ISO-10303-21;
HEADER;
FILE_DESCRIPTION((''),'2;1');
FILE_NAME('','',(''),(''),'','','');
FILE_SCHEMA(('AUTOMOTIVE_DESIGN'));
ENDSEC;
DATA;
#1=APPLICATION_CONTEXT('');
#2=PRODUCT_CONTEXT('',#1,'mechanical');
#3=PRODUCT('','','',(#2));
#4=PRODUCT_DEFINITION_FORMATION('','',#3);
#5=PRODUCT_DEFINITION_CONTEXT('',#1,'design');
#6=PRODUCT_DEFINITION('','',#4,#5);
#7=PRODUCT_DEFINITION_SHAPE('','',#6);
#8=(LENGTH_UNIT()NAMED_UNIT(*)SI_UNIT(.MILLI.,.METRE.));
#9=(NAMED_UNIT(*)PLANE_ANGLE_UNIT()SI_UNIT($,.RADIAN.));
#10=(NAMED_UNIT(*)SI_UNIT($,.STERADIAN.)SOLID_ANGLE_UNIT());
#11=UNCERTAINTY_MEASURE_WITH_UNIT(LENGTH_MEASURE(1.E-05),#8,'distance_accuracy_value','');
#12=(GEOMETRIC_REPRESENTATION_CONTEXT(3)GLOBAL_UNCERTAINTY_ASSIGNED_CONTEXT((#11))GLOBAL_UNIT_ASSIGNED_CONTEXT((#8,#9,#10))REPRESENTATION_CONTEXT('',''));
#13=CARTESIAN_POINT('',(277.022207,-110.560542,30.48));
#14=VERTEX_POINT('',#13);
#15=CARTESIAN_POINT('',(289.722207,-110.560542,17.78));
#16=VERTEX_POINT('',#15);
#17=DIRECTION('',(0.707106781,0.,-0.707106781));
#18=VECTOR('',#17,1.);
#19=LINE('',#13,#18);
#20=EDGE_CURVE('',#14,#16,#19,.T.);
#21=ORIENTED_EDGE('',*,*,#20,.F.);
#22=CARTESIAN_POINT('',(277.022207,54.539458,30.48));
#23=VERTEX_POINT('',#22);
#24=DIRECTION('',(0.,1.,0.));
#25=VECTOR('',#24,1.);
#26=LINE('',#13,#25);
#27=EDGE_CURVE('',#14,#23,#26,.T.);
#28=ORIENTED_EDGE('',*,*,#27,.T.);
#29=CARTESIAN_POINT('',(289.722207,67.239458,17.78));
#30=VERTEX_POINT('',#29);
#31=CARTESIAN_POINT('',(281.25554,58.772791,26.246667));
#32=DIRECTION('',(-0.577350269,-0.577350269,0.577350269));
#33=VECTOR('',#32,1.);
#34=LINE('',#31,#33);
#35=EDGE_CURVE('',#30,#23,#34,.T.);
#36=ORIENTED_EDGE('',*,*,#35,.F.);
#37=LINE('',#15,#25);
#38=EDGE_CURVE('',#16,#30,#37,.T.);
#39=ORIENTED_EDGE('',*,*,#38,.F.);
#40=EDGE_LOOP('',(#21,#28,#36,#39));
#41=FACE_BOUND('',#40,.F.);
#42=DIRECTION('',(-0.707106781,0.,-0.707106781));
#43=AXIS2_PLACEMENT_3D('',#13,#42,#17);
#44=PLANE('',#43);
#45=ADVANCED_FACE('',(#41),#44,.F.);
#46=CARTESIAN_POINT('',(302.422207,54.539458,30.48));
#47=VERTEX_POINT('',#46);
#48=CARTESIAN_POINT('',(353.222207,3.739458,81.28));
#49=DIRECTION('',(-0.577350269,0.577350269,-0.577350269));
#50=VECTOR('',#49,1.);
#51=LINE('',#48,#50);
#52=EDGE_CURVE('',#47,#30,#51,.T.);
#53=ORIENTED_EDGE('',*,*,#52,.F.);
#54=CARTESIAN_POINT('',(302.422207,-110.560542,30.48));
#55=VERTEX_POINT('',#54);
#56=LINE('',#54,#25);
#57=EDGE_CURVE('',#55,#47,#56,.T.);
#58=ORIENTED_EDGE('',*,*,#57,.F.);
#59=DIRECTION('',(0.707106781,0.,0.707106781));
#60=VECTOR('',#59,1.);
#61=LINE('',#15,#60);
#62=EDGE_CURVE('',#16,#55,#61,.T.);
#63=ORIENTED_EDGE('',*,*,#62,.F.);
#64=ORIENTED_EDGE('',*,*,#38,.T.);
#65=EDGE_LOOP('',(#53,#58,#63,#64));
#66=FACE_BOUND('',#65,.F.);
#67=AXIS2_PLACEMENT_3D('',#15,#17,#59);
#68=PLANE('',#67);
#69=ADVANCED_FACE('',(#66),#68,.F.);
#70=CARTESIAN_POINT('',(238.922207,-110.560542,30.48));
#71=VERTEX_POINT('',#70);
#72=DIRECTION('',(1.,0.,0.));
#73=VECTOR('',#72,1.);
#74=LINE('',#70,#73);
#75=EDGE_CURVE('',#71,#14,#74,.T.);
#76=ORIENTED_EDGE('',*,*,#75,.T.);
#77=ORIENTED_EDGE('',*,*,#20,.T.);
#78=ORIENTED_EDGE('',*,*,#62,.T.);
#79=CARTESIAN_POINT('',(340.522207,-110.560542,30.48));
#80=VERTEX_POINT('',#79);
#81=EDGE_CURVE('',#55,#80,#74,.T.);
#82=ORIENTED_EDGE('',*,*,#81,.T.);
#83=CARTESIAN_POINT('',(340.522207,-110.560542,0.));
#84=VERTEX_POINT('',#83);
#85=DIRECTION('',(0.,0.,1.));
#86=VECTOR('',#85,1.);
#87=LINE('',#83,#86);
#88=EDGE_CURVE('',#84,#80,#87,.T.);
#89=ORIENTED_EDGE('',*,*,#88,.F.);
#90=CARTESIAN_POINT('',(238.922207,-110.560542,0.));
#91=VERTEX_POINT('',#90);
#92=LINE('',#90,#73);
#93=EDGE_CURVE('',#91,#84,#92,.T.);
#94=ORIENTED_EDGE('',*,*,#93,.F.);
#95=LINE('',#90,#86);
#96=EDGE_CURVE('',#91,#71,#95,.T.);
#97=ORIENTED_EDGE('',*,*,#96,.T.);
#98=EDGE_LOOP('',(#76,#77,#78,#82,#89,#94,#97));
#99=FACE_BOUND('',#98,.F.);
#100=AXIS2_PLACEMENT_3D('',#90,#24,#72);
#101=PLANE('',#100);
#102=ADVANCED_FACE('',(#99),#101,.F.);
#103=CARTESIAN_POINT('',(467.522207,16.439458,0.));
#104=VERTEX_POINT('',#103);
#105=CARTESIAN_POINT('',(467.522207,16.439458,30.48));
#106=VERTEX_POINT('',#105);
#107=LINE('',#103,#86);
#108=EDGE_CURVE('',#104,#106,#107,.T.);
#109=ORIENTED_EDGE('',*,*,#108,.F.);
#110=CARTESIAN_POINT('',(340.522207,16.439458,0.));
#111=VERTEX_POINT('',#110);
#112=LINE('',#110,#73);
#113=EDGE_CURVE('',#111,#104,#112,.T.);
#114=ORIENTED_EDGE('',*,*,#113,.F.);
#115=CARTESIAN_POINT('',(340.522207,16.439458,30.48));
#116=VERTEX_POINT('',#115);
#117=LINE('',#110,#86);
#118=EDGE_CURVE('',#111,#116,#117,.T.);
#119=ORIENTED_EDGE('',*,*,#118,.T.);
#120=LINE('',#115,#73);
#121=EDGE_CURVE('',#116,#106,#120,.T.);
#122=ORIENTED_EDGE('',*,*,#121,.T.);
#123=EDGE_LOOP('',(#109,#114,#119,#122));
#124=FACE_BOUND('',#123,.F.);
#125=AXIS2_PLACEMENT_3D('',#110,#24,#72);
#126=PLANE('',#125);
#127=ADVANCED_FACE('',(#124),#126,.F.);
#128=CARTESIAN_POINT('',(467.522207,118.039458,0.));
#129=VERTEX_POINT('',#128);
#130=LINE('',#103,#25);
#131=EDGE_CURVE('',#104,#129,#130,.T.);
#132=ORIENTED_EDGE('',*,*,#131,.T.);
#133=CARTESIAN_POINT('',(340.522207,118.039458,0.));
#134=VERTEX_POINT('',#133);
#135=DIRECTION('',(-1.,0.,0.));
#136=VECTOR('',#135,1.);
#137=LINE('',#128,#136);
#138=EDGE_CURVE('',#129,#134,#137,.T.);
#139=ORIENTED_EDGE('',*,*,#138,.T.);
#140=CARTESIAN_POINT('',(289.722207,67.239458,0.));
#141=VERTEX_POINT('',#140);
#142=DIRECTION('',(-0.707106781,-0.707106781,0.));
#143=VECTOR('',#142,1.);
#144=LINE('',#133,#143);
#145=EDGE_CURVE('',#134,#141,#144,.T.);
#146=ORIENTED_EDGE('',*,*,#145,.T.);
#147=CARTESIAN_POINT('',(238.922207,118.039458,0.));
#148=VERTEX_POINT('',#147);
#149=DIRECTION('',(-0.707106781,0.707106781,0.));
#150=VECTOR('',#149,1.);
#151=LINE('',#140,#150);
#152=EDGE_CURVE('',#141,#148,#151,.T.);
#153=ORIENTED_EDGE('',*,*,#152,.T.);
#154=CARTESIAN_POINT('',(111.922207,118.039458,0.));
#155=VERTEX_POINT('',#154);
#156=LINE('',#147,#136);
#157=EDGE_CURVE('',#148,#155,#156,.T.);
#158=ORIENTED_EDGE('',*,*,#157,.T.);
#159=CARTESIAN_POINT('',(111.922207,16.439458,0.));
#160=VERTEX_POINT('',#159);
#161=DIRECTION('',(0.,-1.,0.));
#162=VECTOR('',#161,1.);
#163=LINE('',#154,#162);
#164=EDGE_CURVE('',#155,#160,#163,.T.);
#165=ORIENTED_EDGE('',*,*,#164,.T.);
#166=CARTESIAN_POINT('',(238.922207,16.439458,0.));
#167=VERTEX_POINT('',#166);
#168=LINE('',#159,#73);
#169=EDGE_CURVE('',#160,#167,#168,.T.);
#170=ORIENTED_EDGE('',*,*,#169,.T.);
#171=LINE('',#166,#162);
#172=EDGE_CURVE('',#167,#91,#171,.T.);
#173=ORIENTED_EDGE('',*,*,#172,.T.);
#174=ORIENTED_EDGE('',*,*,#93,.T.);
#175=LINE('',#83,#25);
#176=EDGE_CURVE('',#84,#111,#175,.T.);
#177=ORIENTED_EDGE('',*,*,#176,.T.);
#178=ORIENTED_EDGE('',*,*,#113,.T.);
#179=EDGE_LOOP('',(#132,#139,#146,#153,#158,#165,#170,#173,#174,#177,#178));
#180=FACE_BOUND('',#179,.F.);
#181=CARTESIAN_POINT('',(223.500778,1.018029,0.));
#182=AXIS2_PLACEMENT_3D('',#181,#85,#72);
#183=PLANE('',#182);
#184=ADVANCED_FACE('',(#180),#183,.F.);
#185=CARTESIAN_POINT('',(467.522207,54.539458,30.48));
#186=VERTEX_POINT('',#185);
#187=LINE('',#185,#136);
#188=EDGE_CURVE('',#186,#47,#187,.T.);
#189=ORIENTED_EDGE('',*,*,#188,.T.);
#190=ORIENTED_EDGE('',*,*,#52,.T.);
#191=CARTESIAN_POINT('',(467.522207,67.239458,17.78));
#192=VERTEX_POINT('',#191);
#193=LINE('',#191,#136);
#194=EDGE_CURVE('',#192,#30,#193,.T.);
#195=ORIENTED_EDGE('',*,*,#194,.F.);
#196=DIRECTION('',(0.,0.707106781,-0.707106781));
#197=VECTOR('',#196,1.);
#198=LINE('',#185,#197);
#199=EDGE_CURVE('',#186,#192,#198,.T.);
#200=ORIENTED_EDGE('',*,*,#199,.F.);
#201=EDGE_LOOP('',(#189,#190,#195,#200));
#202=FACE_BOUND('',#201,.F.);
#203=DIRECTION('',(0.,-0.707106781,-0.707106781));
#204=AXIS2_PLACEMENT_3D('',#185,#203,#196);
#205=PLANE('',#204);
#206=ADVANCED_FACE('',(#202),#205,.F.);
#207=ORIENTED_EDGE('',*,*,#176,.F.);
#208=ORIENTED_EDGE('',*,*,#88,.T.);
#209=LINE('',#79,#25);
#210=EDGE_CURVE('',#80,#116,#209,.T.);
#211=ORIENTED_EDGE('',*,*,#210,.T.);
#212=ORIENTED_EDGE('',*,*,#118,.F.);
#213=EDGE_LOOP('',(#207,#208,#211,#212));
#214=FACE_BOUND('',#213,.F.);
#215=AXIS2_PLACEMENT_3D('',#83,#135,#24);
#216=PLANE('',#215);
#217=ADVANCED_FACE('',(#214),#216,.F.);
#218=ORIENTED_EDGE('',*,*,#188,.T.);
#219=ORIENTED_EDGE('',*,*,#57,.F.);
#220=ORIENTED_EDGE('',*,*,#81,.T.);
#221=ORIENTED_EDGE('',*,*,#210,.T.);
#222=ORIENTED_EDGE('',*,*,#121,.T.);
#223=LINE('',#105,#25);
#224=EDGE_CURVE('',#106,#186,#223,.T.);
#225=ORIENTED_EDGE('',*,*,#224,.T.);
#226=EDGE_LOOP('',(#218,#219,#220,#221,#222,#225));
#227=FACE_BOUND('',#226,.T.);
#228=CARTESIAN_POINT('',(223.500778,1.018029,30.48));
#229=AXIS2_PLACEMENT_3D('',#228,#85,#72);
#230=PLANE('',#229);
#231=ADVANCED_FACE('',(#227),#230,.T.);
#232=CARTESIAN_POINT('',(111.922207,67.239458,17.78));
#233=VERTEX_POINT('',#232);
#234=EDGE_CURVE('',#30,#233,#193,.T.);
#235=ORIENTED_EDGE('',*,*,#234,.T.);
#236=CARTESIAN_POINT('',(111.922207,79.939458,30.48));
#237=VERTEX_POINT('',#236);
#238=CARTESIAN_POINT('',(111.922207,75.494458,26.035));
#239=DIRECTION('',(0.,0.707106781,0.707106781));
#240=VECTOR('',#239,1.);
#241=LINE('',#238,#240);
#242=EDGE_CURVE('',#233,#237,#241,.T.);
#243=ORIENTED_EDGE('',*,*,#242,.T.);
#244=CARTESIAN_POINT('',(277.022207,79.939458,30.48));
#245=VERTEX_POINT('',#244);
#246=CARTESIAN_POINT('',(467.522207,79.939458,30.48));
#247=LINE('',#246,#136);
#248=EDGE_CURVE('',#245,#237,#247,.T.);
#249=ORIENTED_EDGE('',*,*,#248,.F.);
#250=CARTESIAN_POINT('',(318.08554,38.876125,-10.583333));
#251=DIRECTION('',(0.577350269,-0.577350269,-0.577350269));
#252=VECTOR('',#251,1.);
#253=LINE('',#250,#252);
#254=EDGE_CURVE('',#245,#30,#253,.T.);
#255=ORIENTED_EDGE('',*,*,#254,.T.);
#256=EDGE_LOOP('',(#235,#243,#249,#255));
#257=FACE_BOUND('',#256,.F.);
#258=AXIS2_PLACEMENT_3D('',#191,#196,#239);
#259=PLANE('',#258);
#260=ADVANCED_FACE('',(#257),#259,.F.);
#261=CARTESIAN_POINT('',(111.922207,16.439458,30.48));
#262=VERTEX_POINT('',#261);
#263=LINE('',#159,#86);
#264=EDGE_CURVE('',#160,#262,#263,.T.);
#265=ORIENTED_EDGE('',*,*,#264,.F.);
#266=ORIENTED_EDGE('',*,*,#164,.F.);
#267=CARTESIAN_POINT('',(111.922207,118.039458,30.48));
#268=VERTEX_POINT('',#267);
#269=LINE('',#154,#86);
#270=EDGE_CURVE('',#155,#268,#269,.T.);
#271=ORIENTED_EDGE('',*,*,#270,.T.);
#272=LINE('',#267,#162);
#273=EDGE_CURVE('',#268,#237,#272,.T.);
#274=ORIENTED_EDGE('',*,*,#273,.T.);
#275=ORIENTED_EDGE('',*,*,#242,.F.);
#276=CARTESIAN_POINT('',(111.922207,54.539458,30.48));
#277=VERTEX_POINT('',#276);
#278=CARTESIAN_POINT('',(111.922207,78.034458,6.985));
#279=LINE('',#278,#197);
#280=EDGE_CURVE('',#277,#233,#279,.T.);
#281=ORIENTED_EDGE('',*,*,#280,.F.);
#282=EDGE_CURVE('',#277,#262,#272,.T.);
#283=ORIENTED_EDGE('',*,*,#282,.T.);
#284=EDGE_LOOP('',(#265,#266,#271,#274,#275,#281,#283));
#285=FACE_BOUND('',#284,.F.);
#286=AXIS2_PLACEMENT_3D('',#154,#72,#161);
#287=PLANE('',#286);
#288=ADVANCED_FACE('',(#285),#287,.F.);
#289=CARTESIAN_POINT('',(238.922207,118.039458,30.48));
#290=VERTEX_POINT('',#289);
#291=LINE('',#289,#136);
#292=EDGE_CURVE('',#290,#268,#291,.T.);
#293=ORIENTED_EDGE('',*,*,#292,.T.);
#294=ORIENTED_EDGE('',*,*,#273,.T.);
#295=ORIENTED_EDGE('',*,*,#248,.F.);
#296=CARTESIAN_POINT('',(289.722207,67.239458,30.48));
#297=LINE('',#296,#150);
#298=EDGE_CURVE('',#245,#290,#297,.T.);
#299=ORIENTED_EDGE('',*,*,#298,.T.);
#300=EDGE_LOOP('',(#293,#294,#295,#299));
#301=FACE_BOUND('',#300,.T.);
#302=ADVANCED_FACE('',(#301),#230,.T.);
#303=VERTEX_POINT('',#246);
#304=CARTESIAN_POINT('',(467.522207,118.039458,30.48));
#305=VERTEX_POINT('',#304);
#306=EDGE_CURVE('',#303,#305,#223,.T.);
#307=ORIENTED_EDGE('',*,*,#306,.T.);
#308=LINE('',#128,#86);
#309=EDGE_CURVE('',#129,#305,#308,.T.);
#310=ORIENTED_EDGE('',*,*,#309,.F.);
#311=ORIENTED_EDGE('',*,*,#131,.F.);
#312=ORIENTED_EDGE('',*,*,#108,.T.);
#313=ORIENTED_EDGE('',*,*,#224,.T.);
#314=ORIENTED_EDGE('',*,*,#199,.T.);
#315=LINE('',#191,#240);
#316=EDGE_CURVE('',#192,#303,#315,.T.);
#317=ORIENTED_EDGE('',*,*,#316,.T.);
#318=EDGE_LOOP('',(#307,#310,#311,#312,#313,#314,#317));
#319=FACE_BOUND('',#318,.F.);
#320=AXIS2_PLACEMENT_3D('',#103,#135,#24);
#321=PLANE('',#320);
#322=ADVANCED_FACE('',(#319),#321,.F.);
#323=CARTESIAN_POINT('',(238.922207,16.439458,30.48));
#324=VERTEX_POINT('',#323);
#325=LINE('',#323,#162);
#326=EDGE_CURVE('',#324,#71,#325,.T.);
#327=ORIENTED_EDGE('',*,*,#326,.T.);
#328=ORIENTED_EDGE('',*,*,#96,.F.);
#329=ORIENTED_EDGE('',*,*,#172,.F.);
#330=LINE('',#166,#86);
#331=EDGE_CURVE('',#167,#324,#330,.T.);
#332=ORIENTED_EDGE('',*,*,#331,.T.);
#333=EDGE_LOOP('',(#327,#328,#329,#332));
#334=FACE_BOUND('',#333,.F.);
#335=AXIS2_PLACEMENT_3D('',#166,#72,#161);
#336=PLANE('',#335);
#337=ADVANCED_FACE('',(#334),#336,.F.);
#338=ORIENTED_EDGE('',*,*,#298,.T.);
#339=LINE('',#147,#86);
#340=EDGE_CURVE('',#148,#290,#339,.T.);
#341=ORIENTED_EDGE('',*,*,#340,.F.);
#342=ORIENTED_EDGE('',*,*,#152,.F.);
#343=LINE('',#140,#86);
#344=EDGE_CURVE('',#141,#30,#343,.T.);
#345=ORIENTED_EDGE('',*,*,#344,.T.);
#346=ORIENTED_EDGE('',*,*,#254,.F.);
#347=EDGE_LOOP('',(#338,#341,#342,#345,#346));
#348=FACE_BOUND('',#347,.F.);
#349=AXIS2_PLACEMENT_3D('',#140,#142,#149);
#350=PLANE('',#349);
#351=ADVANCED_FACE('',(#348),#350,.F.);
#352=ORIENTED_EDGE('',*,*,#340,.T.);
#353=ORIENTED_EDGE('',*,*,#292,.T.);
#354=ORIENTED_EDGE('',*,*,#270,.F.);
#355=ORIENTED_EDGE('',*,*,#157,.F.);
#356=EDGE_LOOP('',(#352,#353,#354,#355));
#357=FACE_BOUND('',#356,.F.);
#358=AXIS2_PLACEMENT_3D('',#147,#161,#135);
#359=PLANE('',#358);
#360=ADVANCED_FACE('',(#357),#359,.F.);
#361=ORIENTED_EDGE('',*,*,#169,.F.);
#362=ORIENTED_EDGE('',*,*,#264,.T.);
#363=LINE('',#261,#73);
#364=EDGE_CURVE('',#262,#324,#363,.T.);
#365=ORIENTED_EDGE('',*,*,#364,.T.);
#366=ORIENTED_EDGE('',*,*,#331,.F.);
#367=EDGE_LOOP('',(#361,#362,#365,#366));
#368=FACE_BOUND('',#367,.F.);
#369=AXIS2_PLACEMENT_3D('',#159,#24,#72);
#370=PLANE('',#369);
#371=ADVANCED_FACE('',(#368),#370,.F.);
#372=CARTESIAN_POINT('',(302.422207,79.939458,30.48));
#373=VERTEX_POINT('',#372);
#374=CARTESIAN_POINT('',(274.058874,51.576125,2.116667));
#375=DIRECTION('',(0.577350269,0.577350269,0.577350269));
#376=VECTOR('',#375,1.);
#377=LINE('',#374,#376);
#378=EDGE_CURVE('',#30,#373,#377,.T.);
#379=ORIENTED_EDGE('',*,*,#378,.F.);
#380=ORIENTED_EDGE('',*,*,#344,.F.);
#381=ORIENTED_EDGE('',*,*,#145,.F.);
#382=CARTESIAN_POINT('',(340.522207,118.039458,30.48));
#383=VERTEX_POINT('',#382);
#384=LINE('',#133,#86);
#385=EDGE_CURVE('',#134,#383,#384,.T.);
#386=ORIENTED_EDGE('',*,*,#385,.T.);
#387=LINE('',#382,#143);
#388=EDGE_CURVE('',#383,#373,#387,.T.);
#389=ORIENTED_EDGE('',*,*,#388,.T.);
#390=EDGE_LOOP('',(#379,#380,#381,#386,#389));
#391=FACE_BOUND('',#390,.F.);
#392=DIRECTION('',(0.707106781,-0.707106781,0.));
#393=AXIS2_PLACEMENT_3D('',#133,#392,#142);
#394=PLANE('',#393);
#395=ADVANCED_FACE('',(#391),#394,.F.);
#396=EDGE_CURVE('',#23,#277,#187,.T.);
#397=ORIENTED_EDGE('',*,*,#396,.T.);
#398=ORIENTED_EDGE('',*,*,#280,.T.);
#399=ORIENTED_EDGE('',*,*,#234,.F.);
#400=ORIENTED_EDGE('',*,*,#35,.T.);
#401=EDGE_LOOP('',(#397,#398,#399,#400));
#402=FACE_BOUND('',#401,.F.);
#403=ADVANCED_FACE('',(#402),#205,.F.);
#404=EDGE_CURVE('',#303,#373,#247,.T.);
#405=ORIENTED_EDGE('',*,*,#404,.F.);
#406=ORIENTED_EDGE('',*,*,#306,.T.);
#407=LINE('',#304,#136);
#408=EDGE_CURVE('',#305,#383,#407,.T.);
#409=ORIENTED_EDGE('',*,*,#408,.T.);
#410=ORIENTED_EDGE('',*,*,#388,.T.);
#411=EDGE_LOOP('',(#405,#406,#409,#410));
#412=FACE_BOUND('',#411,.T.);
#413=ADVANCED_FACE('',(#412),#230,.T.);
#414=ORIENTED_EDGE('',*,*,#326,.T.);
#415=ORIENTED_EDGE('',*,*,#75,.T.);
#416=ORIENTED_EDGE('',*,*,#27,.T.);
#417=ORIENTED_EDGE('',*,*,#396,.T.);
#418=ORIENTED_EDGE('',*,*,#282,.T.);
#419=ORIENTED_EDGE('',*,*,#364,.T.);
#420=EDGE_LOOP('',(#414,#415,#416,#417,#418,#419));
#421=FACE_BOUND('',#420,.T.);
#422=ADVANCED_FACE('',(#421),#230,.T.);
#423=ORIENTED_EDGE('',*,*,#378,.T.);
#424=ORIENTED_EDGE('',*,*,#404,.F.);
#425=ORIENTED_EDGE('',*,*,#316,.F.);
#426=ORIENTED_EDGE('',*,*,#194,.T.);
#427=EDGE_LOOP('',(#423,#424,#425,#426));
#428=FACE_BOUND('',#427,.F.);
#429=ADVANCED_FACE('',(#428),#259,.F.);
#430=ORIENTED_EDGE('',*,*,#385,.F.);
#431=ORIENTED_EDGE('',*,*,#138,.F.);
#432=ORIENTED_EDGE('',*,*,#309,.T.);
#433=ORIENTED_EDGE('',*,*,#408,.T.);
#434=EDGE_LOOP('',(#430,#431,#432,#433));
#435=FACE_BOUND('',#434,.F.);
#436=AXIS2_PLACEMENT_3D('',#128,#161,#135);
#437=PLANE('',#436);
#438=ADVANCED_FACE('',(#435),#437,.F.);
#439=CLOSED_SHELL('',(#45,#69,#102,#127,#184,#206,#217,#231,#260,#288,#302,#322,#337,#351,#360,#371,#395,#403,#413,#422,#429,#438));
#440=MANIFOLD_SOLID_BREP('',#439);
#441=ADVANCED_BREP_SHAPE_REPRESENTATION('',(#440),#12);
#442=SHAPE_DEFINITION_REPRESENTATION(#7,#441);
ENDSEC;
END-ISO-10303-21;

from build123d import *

# Parameters (mm, degrees)
F1_DEPTH = 30.48
F3_DEPTH = 228.601
F5_DEPTH = 355.601


with BuildPart() as f1:
    # F0 (on Top) → F1 (new body)
    with BuildSketch(Plane.XY):
        Polygon((238.922207, -110.560542), (289.722207, -110.560542), (289.722207, 67.239458), (111.922207, 67.239458), (111.922207, 16.439458), (238.922207, 16.439458), align=None)
        Polygon((289.722207, 67.239458), (289.722207, -110.560542), (340.522207, -110.560542), (340.522207, 16.439458), (467.522207, 16.439458), (467.522207, 67.239458), align=None)
        Polygon((111.922207, 67.239458), (289.722207, 67.239458), (238.922207, 118.039458), (111.922207, 118.039458), align=None)
        Polygon((340.522207, 118.039458), (289.722207, 67.239458), (467.522207, 67.239458), (467.522207, 118.039458), align=None)
    extrude(amount=F1_DEPTH)

    # F2 (on face) → F3 (cut, through all)
    with BuildSketch(Plane.XZ.offset(110.560542)):
        Polygon((302.422207, 30.48), (277.022207, 30.48), (289.722207, 17.78), align=None)
    extrude(amount=-F3_DEPTH, mode=Mode.SUBTRACT)

    # F4 (on face) → F5 (cut, through all)
    with BuildSketch(Plane.YZ.offset(467.522207)):
        Polygon((67.239458, 17.78), (79.939458, 30.48), (54.539458, 30.48), align=None)
    extrude(amount=-F5_DEPTH, mode=Mode.SUBTRACT)


solid = f1.part
